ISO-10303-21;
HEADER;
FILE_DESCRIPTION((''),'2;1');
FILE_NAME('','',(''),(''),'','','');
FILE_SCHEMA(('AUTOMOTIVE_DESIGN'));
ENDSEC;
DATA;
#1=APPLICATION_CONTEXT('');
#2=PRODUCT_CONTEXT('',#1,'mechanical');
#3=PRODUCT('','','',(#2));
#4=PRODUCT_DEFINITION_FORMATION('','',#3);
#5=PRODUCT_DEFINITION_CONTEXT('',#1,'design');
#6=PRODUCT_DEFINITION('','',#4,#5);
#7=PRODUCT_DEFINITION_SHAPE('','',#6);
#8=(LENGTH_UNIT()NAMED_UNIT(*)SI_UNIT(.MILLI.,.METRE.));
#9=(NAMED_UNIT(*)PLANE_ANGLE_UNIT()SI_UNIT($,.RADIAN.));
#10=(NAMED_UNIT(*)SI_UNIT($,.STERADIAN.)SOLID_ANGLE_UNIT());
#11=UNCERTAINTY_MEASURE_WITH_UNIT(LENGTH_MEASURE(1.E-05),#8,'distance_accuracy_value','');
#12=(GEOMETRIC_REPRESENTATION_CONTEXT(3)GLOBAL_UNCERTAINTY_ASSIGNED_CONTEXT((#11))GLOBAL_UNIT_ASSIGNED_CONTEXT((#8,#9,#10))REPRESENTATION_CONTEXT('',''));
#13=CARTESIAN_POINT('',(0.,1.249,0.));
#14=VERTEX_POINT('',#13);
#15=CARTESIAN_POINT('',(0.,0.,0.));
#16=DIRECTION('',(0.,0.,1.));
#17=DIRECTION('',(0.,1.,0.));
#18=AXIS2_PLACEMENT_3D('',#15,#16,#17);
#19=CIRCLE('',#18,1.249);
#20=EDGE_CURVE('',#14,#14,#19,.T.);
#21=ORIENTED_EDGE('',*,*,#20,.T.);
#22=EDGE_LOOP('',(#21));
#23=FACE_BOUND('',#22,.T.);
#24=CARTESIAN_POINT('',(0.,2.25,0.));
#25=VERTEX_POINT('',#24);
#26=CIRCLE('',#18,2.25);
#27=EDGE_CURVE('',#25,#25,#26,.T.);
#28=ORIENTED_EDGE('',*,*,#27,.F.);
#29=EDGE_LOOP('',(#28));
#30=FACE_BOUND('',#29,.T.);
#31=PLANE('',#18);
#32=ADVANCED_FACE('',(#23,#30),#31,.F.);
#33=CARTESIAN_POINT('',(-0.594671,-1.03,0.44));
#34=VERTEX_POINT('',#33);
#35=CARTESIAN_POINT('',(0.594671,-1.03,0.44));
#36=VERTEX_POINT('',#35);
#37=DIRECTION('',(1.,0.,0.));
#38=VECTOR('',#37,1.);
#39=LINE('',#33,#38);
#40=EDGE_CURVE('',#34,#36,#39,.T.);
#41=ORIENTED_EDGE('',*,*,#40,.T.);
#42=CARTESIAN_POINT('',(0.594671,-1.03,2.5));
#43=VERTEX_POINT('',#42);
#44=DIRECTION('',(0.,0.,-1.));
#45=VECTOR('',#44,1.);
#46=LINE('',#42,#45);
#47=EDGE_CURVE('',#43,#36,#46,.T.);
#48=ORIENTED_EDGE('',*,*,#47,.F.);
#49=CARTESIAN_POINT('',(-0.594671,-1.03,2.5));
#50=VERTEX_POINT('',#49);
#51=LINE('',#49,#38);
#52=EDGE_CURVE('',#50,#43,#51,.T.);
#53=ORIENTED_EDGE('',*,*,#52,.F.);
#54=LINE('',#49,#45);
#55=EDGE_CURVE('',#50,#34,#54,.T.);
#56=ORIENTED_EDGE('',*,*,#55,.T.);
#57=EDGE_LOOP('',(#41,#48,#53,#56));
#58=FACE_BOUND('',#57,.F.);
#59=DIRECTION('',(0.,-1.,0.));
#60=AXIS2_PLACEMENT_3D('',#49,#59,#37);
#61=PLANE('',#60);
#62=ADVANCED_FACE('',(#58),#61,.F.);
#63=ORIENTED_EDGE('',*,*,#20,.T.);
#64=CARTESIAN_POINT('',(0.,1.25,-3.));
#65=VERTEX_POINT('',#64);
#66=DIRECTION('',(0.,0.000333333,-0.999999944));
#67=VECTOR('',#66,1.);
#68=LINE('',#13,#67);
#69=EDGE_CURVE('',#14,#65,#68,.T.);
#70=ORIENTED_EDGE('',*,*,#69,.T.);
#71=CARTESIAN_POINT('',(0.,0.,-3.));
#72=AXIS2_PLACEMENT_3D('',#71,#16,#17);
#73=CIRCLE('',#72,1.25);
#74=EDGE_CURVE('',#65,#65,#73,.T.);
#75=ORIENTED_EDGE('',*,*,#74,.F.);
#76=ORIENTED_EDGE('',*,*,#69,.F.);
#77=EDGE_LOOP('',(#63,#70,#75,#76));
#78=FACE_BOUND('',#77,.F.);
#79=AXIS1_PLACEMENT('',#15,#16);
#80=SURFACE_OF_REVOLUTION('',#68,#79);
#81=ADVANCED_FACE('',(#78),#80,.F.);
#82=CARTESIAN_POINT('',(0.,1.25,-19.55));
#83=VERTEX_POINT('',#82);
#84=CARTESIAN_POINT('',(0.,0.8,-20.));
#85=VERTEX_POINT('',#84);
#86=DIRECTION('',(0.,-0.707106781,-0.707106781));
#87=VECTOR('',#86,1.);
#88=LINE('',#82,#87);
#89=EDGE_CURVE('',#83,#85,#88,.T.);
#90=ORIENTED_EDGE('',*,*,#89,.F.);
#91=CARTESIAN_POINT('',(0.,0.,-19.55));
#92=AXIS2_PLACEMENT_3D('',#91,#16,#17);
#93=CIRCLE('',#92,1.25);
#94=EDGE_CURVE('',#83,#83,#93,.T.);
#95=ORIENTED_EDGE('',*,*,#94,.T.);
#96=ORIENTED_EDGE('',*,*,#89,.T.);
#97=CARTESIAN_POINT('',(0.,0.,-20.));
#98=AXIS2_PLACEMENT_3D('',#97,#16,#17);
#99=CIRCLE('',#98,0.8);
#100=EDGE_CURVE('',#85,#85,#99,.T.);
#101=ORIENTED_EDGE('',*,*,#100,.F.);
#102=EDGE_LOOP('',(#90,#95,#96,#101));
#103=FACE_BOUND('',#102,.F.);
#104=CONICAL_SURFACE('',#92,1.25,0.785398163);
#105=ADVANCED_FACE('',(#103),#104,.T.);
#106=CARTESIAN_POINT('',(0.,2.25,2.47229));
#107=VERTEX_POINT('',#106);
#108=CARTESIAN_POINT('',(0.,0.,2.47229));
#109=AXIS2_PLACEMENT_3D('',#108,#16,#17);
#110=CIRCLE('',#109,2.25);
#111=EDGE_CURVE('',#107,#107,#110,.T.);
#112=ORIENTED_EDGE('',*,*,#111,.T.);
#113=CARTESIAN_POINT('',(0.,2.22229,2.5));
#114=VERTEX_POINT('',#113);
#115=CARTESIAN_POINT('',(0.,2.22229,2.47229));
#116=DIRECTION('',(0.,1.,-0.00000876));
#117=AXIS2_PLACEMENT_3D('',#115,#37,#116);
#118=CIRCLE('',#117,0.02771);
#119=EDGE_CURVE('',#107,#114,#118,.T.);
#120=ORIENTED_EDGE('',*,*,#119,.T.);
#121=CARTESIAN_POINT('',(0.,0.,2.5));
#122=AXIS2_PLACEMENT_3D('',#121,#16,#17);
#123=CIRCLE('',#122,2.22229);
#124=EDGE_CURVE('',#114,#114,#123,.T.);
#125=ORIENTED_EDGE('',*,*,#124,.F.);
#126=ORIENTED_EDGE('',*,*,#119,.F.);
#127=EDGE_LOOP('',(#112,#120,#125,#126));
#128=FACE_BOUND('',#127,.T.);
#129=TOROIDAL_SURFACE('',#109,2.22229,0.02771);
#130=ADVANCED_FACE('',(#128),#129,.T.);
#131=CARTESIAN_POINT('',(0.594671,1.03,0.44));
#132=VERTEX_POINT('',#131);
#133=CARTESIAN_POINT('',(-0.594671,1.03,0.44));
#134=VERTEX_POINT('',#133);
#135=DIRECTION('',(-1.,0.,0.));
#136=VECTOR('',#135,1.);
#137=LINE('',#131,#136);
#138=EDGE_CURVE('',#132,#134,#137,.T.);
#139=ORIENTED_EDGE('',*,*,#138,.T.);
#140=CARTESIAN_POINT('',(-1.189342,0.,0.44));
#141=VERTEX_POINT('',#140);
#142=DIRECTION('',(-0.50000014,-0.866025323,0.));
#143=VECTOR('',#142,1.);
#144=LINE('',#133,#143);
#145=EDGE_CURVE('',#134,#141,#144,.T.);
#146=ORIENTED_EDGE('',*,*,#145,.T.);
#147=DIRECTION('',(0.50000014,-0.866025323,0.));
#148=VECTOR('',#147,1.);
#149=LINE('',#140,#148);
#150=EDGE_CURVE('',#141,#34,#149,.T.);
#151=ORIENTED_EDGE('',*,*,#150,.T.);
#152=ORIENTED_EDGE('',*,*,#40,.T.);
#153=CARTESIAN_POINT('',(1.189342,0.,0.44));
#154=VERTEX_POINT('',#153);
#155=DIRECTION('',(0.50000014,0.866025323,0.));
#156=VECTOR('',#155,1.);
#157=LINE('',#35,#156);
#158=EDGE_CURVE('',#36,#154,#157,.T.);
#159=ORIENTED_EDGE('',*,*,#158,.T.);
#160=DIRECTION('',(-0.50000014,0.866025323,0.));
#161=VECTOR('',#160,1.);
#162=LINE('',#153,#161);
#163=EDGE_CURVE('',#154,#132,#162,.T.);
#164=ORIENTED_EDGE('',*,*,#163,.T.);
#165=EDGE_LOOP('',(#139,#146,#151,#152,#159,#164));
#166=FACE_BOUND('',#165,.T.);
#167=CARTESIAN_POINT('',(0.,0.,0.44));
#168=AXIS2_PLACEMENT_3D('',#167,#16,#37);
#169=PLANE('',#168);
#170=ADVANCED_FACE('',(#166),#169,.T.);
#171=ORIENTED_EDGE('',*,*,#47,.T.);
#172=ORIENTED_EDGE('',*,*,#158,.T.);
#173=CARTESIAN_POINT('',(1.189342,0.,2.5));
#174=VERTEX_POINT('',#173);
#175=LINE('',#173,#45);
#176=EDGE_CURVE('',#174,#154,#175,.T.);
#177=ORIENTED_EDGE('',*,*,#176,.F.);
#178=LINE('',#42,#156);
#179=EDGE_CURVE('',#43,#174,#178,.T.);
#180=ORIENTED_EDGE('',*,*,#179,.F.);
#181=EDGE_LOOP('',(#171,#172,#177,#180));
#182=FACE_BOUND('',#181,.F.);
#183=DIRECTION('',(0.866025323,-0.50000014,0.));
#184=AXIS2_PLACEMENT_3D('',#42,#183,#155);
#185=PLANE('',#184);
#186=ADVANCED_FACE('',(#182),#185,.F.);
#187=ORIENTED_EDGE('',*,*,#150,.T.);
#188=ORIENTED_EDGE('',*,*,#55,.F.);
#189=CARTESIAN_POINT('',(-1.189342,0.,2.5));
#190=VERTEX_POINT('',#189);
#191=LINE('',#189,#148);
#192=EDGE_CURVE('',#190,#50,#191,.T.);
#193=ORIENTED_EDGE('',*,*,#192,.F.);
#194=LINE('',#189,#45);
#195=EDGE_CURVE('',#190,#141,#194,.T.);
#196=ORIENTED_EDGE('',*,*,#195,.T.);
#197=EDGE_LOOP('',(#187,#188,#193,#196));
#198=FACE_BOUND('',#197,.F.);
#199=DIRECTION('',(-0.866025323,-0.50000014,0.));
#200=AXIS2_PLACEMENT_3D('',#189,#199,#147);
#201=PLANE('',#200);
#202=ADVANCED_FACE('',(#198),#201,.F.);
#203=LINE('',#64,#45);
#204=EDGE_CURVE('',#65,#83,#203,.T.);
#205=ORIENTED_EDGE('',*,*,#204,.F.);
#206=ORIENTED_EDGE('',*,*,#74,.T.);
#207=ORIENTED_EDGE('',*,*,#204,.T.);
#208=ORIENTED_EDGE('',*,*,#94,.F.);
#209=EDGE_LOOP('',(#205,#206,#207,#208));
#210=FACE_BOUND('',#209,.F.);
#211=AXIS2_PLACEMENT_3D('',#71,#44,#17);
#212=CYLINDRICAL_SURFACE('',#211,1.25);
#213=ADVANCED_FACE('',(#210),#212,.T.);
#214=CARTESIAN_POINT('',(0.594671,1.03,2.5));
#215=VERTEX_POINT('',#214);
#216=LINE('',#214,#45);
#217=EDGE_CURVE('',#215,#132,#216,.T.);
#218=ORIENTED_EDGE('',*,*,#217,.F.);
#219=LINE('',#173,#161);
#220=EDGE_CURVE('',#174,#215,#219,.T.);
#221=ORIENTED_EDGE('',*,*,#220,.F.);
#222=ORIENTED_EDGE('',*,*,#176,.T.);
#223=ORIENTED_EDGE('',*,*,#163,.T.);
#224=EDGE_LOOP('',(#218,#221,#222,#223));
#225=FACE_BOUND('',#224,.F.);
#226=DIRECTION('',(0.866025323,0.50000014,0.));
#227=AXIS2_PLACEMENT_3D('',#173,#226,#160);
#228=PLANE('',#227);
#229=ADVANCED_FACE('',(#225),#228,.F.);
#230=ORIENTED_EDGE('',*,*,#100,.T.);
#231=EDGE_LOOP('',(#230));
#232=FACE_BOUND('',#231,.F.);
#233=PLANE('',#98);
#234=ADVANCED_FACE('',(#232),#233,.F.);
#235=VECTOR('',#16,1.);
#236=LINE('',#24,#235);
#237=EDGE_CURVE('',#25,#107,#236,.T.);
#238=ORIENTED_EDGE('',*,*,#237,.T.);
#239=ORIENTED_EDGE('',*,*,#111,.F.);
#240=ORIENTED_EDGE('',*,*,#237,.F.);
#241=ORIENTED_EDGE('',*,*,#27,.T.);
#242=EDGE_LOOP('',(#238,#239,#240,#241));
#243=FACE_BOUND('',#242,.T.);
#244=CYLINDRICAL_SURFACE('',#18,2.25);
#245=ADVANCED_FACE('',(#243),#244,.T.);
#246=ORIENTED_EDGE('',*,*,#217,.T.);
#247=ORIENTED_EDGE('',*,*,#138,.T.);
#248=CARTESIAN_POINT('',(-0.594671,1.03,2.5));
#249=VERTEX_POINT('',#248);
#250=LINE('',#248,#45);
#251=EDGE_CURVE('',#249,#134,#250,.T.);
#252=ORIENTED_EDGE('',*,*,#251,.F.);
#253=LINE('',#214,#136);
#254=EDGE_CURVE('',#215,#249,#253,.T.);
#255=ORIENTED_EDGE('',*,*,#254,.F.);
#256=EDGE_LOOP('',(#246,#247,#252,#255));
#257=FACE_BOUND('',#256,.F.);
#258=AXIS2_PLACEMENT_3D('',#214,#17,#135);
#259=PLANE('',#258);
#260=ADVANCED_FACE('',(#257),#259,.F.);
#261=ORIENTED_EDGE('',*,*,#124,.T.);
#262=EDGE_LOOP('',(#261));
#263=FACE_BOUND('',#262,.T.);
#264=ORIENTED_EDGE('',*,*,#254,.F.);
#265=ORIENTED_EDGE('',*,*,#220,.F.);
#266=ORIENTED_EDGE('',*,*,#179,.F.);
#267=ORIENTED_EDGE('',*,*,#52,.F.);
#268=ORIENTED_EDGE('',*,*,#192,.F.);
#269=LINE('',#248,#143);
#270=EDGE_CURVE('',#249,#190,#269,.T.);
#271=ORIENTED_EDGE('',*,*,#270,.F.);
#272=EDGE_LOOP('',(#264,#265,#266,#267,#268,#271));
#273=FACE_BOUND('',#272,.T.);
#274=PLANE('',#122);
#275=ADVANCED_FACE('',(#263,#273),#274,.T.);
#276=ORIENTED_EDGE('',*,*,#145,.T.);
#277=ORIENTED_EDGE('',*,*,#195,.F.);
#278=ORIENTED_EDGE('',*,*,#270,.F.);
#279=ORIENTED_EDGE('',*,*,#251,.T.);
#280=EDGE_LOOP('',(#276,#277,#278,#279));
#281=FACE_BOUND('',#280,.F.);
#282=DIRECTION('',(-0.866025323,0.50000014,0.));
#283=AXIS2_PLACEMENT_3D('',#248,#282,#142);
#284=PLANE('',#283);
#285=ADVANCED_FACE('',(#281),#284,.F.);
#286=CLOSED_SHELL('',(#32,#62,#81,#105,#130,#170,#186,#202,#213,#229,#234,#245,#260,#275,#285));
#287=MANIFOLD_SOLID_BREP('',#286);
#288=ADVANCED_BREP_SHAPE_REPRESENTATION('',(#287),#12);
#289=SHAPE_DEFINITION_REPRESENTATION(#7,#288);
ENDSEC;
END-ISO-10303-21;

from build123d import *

# Parameters (mm, degrees)
POCKET_DEPTH = 2.06


with BuildPart() as part:
    # Sketch → Revolve (revolve)
    with BuildSketch(Plane.YZ):
        with BuildLine():
            Line((1.249, 0), (2.25, 0))
            Line((2.25, 0), (2.25, 2.47229))
            ThreePointArc((2.25, 2.47229), (2.241884, 2.491884), (2.22229, 2.5))
            Line((2.22229, 2.5), (0, 2.5))
            Line((0, -20), (0, 2.5))
            Line((0.8, -20), (0, -20))
            Line((1.25, -19.55), (0.8, -20))
            Line((1.25, -3), (1.25, -19.55))
            Line((1.249, 0), (1.25, -3))
        make_face()
    revolve(axis=Axis((0, 0, 0), (0, 0, 1)))

    # Sketch001 → Pocket (cut)
    with BuildSketch(Plane.XY.offset(2.5)):
        Polygon((1.189342, 0), (0.594671, 1.03), (-0.594671, 1.03), (-1.189342, 0), (-0.594671, -1.03), (0.594671, -1.03), align=None)
    extrude(amount=-POCKET_DEPTH, mode=Mode.SUBTRACT)


solid = part.part
